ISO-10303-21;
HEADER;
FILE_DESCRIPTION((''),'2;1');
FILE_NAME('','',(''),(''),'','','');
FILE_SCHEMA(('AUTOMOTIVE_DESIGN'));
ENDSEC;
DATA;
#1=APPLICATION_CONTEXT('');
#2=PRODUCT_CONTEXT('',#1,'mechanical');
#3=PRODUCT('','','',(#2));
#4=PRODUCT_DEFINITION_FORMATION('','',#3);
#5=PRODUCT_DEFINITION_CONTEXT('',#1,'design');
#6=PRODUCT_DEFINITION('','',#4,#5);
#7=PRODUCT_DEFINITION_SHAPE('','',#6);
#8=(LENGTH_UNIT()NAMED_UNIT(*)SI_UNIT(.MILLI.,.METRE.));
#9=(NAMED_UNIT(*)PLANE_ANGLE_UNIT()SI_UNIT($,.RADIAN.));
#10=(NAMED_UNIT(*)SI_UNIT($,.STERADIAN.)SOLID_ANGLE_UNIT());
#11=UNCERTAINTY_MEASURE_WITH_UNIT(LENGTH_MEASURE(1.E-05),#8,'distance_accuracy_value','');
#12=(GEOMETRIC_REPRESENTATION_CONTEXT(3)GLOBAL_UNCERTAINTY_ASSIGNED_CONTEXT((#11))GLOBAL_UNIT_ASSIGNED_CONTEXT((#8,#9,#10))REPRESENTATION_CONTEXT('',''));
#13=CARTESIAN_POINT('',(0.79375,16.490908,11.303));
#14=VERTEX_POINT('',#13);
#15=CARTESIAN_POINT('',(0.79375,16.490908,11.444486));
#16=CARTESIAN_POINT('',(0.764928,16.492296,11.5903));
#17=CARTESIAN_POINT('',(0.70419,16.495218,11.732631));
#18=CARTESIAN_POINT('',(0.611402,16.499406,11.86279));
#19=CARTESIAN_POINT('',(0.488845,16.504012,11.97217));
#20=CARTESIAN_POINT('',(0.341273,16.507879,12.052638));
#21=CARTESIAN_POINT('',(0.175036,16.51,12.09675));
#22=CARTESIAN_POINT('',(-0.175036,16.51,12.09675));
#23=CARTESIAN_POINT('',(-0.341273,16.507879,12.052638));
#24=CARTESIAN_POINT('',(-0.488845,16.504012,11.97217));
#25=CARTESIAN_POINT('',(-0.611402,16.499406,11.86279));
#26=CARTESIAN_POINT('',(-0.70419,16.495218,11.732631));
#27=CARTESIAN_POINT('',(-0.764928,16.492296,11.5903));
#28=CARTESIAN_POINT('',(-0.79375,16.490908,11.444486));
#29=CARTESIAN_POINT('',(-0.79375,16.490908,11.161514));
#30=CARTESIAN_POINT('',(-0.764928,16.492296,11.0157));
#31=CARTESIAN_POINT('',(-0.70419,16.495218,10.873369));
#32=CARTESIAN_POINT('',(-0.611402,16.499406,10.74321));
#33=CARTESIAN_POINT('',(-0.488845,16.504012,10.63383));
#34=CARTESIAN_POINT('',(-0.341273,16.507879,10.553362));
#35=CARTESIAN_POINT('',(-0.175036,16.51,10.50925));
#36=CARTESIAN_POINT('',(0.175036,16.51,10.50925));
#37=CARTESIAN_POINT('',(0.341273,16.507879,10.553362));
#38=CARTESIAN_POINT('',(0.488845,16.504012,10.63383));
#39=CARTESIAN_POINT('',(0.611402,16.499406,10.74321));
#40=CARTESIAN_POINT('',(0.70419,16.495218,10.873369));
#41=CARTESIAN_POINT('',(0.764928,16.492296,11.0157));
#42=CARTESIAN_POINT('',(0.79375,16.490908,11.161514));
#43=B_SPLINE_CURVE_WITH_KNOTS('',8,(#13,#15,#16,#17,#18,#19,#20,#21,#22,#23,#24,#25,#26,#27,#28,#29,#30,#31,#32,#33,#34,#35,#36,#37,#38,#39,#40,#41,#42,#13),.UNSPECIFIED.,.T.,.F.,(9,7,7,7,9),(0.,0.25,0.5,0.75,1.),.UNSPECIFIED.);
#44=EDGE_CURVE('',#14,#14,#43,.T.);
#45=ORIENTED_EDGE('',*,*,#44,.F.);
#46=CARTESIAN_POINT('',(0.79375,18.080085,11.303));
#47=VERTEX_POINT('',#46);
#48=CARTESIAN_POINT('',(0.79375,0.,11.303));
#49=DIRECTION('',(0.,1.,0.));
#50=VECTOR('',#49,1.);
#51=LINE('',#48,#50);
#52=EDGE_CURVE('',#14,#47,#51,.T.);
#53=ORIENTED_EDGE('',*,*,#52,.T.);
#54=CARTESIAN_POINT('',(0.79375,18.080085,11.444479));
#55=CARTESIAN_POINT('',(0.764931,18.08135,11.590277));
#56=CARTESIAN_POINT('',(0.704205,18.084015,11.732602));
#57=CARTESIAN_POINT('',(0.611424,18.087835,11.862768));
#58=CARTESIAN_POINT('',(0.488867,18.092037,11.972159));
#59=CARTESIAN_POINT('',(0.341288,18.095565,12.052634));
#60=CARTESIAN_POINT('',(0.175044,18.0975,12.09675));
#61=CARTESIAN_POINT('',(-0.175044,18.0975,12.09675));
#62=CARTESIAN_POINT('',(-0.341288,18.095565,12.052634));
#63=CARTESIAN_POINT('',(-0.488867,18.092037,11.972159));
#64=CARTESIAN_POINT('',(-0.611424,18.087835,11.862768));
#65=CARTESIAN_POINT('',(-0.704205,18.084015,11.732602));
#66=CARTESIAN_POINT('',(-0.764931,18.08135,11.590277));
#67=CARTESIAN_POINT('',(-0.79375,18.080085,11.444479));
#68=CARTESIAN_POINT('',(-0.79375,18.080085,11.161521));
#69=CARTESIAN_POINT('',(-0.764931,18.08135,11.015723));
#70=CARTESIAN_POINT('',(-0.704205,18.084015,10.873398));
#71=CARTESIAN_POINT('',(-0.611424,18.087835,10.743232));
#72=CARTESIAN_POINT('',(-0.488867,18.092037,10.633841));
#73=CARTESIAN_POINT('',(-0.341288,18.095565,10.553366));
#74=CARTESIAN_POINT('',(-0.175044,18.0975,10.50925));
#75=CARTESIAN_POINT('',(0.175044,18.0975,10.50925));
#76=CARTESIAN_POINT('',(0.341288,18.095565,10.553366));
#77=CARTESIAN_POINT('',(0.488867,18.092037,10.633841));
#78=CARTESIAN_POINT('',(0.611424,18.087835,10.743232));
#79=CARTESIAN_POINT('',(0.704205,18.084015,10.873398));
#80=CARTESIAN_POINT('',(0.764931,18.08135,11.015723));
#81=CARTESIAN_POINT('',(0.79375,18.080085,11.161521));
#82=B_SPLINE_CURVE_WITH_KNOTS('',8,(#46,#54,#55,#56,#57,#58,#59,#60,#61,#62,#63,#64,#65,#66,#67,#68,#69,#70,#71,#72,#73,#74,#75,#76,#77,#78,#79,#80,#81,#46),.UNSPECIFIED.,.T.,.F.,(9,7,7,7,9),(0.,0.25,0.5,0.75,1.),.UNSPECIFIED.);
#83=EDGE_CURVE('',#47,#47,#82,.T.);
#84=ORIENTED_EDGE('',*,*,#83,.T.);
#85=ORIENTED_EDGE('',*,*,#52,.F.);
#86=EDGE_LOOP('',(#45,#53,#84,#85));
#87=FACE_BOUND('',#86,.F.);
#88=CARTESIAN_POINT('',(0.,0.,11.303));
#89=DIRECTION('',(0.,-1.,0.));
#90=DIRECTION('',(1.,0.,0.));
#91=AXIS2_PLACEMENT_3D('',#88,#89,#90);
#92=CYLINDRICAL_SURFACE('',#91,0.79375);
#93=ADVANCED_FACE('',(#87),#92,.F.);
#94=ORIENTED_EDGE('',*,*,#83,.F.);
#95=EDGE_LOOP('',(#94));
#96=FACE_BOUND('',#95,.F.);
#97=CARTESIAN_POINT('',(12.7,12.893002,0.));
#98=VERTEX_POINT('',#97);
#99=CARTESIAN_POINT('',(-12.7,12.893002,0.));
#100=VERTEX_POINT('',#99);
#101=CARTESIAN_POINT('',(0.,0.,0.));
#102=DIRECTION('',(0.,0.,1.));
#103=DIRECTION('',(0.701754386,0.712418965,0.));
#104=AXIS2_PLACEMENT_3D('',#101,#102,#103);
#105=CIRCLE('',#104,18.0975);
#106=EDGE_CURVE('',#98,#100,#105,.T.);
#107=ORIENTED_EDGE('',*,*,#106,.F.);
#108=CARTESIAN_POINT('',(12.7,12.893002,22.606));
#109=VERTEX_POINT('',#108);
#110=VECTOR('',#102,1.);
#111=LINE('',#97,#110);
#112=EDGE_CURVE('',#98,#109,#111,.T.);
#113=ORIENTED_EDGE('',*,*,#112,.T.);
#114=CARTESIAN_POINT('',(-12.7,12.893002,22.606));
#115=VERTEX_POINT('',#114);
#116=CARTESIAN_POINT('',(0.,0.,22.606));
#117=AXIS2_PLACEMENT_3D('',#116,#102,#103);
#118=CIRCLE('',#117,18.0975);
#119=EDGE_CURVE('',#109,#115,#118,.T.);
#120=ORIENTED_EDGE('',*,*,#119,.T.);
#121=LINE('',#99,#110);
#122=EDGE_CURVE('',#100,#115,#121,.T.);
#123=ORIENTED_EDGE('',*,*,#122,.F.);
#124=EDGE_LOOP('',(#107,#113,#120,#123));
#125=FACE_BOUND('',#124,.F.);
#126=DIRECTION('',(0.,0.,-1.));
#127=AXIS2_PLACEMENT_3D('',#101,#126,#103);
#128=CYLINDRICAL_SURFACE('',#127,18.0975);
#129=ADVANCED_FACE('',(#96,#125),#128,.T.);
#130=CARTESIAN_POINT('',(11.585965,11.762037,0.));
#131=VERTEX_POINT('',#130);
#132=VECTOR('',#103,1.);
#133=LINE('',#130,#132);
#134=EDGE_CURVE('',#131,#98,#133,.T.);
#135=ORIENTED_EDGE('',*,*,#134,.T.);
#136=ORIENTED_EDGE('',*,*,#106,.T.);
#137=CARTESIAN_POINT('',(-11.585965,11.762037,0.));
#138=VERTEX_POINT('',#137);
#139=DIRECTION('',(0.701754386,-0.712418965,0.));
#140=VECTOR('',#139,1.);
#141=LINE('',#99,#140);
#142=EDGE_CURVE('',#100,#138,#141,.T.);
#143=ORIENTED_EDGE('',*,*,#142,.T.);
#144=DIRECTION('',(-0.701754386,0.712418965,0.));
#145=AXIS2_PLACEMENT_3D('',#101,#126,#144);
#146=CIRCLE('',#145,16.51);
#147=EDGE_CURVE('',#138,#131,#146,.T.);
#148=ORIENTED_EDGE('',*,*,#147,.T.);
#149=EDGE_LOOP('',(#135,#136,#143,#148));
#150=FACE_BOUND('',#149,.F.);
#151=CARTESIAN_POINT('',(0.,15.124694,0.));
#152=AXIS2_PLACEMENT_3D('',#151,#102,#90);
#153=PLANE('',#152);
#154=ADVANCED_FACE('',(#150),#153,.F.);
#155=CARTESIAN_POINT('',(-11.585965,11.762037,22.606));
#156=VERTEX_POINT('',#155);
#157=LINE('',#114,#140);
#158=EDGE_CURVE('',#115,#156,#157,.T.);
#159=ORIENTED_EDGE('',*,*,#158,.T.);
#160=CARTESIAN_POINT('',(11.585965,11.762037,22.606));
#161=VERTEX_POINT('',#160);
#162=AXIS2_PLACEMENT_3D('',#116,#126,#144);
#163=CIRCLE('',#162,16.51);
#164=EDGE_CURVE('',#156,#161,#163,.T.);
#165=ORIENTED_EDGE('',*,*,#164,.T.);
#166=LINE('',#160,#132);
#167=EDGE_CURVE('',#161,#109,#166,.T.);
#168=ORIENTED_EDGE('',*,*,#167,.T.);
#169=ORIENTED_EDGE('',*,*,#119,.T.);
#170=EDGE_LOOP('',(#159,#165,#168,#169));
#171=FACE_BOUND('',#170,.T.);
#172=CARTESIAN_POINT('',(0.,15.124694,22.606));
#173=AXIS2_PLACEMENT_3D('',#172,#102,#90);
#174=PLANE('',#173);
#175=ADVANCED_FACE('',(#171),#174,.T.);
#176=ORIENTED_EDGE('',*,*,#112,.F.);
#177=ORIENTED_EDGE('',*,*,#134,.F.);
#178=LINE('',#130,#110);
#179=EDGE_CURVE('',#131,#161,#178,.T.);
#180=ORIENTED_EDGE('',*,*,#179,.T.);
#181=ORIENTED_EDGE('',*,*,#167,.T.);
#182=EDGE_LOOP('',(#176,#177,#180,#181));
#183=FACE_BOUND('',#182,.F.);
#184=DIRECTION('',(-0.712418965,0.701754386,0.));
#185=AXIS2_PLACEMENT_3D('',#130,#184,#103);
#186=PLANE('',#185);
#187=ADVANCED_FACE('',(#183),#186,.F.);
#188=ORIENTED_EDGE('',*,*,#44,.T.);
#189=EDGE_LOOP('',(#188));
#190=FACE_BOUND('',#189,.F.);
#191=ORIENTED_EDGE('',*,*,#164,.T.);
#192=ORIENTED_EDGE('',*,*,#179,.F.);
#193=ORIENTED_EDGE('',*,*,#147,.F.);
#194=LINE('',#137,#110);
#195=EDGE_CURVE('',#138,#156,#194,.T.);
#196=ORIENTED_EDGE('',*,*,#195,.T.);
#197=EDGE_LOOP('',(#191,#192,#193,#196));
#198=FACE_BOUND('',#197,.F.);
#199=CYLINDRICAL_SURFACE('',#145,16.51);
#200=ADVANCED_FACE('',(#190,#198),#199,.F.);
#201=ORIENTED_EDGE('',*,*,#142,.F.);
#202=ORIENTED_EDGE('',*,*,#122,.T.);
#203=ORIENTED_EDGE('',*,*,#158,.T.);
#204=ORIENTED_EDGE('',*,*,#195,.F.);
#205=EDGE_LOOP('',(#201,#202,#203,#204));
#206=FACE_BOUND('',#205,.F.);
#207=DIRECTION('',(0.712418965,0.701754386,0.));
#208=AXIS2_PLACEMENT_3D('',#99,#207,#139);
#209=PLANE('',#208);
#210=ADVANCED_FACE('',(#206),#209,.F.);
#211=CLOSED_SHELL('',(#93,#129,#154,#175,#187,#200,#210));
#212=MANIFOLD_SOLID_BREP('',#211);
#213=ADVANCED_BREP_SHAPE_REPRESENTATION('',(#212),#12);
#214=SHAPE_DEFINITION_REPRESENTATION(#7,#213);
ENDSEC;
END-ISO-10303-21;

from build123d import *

# Parameters (mm, degrees)
F1_DEPTH = 22.606
F2_R     = 0.79375
F3_DEPTH = 19.0975001


with BuildPart() as f1:
    # F0 (on Top) → F1 (new body)
    with BuildSketch(Plane.XY):
        with BuildLine():
            ThreePointArc((-11.5859649124, 11.762037113), (0, 16.51), (11.5859649124, 11.762037113))
            Line((11.5859649124, 11.762037113), (12.7000000001, 12.8930022201))
            ThreePointArc((12.7000000001, 12.8930022201), (0, 18.0975), (-12.7000000001, 12.8930022201))
            Line((-12.7000000001, 12.8930022201), (-11.5859649124, 11.762037113))
        make_face()
    extrude(amount=F1_DEPTH)

    # F2 (on Front) → F3 (cut, up to face)
    with BuildSketch(Plane.XZ):
        with Locations((0, 11.303)):
            Circle(F2_R)
    extrude(amount=-F3_DEPTH, mode=Mode.SUBTRACT)


solid = f1.part
